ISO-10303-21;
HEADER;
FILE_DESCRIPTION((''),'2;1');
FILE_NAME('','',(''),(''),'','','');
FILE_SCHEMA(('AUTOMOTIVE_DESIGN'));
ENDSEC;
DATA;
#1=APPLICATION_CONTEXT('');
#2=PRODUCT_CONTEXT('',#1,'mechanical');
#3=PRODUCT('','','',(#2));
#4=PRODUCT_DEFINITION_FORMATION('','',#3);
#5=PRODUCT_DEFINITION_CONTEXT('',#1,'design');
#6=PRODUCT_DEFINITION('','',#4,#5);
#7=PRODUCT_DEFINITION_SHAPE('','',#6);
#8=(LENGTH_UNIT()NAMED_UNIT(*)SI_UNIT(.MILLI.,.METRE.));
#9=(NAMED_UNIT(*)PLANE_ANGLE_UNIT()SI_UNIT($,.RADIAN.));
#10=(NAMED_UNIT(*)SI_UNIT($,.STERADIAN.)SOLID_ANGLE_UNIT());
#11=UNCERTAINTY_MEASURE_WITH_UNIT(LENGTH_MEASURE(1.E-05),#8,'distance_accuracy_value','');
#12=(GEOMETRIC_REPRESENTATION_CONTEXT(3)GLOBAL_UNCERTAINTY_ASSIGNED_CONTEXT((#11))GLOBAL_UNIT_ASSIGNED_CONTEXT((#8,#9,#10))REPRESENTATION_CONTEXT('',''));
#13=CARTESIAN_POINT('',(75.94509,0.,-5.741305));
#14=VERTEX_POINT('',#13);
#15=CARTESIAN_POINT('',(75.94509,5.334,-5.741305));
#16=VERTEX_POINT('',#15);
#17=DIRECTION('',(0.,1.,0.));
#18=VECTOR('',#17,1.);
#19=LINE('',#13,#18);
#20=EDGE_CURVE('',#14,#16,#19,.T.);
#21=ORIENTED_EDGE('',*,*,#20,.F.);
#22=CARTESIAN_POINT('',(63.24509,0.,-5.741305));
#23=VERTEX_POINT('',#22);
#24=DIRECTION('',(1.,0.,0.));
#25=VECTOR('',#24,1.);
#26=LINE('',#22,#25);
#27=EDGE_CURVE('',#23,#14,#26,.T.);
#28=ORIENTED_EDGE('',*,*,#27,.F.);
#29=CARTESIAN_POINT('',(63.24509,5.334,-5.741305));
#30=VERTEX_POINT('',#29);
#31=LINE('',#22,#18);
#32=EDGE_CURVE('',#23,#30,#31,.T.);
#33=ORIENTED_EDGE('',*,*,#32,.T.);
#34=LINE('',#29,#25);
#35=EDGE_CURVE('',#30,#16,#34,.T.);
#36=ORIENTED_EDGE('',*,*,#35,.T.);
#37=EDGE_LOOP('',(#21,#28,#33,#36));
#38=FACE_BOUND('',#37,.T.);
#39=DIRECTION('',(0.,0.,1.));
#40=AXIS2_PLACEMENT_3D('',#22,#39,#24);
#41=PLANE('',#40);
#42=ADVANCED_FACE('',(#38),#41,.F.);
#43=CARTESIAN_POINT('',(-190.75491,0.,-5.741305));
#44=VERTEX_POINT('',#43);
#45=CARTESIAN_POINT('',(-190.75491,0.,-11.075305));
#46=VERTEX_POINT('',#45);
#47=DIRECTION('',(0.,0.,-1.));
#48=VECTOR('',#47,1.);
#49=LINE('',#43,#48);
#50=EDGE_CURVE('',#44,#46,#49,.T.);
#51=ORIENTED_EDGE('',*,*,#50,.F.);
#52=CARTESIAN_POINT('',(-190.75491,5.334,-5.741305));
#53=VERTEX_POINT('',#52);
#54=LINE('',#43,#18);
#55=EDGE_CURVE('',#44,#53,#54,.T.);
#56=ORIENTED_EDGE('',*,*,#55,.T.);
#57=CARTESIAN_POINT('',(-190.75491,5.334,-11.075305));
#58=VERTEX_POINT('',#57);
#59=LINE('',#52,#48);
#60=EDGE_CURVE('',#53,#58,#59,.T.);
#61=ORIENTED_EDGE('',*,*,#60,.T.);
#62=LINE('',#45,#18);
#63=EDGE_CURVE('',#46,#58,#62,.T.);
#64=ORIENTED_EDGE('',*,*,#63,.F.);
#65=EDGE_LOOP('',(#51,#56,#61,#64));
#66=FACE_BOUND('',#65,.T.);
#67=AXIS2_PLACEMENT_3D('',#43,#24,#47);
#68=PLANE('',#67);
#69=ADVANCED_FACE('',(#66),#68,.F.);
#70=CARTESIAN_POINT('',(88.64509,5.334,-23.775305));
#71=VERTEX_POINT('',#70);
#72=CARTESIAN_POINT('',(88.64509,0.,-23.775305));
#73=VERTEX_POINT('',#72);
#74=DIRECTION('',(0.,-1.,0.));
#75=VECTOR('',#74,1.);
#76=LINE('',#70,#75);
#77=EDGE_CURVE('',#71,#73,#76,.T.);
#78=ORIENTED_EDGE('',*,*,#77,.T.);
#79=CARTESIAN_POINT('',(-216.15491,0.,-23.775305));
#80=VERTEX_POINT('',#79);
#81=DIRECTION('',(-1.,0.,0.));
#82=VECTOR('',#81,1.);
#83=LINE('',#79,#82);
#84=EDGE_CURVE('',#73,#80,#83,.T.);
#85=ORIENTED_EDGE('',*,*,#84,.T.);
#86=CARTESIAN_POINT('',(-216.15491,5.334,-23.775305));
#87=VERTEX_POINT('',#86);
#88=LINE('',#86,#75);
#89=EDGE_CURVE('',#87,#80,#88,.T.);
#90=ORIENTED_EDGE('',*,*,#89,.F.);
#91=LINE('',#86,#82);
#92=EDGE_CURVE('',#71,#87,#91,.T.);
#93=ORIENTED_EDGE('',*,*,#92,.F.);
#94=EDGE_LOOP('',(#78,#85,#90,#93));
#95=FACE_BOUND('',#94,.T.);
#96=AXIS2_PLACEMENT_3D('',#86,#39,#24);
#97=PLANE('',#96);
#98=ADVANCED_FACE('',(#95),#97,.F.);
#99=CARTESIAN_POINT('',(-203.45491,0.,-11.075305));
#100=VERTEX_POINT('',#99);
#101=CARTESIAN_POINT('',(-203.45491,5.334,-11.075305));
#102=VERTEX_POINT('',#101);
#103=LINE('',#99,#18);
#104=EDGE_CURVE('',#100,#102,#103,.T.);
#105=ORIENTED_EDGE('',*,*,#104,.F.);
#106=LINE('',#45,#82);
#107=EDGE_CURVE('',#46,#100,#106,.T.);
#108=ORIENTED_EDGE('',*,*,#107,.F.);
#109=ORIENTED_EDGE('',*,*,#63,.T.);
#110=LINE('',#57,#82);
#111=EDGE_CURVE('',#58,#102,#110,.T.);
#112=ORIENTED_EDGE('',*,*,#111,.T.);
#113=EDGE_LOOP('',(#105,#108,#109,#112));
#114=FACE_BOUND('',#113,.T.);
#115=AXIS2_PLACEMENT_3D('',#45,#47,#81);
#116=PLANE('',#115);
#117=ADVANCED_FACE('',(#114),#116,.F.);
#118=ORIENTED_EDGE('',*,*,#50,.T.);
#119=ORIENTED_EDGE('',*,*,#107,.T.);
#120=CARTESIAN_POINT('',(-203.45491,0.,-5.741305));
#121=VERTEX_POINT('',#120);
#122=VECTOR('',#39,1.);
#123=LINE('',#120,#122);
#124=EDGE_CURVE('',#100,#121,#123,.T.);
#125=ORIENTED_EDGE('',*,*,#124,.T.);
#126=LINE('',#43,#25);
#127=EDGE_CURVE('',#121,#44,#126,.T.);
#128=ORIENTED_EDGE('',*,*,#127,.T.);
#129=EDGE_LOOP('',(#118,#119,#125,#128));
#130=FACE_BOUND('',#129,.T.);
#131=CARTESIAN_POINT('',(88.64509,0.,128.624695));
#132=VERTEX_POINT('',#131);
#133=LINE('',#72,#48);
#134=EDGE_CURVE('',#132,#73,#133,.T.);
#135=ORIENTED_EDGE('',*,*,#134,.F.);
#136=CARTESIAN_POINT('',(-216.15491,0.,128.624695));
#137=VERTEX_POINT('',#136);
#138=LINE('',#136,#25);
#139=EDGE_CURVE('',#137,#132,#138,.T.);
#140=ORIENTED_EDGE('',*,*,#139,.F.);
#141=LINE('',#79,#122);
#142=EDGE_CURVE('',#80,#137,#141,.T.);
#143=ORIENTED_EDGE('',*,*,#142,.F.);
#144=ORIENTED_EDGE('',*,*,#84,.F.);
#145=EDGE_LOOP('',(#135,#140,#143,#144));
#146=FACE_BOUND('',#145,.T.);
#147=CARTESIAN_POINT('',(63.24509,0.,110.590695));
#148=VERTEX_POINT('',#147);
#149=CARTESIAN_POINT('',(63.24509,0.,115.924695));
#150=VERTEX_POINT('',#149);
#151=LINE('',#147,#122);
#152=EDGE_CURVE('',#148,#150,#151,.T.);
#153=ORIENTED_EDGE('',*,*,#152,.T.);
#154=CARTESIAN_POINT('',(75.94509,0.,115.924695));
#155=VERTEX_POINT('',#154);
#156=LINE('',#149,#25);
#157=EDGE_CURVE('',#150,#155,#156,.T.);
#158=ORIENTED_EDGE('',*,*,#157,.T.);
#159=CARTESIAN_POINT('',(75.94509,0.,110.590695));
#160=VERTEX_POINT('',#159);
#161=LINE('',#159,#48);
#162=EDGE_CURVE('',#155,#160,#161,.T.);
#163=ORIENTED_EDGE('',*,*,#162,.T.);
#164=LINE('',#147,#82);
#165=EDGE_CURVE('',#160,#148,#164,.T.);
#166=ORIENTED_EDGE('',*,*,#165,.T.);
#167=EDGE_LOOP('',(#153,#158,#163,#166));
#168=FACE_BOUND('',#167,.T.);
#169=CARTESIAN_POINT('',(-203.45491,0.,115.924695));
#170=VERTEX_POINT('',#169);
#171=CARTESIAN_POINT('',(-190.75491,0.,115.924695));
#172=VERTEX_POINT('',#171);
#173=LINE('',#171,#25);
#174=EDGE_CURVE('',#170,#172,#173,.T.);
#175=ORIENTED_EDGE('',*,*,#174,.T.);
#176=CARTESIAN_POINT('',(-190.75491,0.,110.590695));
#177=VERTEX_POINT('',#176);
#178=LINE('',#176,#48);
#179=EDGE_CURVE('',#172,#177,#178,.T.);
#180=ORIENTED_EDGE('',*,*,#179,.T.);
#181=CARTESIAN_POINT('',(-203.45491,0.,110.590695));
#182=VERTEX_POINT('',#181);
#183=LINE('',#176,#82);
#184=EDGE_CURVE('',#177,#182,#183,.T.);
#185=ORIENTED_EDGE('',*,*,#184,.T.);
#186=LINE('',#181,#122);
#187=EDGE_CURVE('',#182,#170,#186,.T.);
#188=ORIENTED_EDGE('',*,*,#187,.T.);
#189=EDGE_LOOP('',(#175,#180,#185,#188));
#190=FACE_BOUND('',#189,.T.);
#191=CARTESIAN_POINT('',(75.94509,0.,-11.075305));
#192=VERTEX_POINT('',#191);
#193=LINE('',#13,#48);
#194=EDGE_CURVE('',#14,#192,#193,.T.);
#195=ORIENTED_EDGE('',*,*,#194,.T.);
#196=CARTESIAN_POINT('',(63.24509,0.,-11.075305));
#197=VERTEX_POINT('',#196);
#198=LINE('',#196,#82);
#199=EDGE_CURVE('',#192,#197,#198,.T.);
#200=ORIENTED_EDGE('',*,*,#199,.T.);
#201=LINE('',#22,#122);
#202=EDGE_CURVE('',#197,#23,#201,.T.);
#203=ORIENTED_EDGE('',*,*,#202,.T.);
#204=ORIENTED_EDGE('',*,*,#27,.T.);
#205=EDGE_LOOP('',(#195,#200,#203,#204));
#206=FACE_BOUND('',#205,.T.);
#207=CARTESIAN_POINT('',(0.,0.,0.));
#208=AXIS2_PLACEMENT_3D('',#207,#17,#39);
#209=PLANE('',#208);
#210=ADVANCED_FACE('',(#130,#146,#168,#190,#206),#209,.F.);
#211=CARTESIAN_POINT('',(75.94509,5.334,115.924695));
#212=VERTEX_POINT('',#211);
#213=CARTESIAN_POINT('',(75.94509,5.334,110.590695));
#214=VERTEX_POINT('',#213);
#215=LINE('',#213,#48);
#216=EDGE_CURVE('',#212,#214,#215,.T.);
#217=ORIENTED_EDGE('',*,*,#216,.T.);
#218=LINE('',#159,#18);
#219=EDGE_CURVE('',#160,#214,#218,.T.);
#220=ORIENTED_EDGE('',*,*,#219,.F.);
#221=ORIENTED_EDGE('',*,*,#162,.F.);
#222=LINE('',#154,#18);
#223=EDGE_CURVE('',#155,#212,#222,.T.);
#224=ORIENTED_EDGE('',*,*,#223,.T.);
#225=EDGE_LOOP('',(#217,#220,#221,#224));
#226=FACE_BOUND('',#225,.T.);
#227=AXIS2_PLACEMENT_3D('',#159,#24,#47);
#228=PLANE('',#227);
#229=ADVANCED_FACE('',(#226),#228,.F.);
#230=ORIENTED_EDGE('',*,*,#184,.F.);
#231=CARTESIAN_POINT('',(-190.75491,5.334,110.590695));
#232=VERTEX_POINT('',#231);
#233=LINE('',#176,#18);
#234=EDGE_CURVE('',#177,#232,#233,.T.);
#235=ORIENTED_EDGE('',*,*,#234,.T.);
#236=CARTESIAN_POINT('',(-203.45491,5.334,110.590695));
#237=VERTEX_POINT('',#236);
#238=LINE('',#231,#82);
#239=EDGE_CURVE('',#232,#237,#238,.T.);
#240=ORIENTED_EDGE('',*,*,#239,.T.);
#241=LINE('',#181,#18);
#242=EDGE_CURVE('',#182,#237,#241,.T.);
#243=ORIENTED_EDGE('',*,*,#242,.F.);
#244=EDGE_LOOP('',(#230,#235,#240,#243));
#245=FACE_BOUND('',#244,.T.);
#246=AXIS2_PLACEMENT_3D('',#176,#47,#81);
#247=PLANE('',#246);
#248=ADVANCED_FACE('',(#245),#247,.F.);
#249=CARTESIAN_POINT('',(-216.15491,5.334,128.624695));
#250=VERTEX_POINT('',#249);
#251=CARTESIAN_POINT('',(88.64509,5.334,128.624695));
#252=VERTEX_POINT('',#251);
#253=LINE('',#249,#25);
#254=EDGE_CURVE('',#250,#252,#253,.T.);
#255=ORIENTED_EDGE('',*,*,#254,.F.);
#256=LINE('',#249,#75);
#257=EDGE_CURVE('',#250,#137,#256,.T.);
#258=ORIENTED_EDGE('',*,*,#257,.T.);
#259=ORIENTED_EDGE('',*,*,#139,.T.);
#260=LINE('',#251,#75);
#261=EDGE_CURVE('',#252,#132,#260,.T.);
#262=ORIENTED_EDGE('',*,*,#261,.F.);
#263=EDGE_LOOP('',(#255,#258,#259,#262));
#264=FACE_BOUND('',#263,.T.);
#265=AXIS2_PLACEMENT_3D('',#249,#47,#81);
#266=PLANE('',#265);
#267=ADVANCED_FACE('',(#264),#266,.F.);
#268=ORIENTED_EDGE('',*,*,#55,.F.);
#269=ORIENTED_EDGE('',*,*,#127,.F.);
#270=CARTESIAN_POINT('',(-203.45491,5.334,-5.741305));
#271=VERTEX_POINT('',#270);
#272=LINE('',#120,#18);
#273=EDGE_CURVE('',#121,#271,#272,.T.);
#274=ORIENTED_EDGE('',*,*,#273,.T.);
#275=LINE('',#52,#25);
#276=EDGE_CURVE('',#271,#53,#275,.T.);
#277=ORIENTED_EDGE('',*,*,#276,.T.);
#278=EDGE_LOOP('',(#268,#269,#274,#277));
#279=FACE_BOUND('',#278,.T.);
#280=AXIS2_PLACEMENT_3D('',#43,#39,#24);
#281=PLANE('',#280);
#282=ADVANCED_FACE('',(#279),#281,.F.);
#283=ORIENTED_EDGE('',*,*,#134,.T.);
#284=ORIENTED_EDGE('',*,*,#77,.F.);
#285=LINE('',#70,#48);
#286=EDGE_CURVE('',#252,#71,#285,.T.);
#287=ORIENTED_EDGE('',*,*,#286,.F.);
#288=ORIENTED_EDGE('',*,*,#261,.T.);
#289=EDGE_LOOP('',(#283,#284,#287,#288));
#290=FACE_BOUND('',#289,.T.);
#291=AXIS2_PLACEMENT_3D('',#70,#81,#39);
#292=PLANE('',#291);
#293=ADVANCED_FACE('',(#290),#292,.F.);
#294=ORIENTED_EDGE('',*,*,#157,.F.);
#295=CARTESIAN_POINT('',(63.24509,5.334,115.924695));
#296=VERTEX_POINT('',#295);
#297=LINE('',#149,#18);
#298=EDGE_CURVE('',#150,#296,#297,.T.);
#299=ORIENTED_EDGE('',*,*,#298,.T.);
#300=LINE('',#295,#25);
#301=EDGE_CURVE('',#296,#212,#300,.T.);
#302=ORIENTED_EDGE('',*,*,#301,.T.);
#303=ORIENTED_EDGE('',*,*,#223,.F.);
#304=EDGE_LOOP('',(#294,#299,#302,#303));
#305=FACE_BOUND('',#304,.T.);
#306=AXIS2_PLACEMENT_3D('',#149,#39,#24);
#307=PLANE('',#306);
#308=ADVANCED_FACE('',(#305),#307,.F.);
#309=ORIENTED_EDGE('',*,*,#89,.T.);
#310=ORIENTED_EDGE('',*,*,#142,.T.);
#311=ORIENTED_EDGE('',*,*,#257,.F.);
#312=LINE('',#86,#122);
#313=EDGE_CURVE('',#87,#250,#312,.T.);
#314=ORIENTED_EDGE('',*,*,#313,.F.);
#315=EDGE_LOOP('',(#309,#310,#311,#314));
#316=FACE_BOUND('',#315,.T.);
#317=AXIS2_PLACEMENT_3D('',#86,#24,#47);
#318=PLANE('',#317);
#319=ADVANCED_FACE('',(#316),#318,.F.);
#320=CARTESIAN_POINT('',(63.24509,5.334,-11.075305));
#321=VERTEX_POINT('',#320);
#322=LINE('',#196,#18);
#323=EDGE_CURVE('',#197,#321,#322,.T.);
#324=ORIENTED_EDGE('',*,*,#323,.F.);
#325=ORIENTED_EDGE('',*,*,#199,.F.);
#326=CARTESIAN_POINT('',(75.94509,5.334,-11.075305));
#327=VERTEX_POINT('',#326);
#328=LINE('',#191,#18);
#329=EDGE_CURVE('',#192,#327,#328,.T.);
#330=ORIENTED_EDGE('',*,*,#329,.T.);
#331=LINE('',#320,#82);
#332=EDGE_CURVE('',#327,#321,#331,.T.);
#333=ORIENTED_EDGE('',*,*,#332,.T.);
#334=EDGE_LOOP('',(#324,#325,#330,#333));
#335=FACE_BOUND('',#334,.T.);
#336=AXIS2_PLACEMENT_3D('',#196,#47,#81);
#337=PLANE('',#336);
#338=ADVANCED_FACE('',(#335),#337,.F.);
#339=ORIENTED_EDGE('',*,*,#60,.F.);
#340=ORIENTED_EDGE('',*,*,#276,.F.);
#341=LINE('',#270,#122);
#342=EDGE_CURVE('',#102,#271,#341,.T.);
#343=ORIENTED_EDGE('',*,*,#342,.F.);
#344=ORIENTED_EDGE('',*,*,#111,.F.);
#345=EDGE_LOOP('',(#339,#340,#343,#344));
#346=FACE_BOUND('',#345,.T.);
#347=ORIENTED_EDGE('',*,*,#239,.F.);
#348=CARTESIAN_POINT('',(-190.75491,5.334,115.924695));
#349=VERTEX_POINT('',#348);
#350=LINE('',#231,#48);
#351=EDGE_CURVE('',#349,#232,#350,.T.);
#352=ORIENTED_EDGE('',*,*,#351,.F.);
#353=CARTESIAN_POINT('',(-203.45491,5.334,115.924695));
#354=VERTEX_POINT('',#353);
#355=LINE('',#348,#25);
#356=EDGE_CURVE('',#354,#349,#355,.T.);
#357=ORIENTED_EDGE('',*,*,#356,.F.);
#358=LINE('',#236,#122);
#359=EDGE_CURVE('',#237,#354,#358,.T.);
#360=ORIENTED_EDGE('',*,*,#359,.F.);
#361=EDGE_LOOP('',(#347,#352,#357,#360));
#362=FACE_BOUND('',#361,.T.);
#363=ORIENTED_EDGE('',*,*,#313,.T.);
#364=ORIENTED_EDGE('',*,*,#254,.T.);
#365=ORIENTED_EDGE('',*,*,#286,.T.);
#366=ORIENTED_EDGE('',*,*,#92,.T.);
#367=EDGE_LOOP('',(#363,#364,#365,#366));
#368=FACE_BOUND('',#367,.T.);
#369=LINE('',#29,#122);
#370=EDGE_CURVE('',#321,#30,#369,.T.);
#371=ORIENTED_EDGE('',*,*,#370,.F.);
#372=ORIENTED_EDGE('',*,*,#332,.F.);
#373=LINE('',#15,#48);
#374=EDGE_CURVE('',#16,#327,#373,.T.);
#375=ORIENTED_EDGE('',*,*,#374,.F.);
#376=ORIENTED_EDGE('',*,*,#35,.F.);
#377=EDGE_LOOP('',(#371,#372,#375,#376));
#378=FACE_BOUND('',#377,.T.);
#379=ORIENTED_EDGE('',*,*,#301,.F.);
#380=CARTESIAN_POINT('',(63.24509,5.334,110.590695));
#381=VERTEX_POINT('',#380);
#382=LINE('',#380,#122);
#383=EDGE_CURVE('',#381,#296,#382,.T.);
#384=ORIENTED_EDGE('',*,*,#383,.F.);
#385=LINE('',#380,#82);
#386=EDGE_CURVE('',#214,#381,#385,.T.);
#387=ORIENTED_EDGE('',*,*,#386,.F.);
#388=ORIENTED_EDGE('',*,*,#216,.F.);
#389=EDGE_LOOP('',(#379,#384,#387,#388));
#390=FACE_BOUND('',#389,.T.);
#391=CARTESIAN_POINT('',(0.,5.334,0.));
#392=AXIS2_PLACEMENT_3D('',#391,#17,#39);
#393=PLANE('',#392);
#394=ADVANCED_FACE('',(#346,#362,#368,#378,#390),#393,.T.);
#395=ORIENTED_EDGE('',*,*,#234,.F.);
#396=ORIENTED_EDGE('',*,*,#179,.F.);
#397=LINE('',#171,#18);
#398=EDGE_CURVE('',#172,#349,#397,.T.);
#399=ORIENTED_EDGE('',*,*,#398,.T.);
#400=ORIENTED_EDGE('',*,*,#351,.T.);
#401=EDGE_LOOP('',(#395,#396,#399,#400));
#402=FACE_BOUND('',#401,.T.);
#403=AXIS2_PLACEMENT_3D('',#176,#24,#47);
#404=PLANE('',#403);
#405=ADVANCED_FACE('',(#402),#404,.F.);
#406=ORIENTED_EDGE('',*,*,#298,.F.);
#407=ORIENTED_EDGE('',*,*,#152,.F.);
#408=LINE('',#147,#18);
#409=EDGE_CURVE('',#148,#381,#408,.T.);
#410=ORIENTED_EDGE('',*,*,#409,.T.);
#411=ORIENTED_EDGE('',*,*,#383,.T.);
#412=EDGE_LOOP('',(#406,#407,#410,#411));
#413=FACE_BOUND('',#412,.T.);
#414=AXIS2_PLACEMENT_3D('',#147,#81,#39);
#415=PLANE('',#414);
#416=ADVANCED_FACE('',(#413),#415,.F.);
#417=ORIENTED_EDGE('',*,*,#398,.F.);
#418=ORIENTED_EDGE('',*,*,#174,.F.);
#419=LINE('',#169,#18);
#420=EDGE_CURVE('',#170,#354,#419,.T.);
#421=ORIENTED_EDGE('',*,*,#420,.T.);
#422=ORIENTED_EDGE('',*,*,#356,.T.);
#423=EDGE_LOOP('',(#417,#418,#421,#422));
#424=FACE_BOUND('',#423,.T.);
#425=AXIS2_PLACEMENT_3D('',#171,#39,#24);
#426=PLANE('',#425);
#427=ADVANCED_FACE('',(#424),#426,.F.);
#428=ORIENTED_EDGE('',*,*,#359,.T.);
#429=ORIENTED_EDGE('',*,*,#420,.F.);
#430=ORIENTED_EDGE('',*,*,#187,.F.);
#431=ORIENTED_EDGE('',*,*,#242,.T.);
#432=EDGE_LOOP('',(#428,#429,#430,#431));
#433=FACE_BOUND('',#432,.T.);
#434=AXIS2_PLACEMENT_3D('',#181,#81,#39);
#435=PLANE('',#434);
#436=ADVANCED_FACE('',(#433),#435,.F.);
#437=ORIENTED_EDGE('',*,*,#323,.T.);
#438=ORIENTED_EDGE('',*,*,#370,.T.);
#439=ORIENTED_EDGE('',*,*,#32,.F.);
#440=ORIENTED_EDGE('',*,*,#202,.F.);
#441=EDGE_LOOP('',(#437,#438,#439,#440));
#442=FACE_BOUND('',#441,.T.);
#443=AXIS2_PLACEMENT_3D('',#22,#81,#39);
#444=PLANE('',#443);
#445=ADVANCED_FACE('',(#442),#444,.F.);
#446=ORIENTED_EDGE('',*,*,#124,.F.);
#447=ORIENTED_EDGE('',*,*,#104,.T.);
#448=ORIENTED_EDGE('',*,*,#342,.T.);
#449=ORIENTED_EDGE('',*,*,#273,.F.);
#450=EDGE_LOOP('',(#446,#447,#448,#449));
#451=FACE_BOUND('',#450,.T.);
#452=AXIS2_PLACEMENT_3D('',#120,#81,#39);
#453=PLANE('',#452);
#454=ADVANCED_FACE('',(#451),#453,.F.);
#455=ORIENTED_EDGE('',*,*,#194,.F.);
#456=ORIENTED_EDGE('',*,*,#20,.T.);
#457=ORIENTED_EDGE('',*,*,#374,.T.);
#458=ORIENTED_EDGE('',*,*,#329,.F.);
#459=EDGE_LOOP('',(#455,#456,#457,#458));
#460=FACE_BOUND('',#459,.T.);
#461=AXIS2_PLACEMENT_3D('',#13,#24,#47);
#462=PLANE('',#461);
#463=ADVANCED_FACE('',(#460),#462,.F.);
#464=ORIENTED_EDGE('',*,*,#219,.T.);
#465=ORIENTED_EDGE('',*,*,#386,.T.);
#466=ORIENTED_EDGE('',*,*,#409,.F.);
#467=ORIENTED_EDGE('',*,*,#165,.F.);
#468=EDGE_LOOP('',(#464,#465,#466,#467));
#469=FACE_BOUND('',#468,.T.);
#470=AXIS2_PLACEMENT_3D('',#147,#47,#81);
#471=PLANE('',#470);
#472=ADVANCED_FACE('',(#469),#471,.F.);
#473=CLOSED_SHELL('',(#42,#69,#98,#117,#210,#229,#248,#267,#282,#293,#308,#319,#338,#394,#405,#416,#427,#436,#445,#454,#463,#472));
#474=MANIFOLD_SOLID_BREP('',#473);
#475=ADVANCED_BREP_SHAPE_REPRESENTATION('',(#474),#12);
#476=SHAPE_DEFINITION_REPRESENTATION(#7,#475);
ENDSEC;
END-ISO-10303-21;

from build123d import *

# Parameters (mm, degrees)
SKETCH1_W           = 304.8
SKETCH1_H           = 152.4
BOSS_EXTRUDE1_DEPTH = 5.334
SKETCH4_W           = 12.7
SKETCH4_H           = 5.334
CUT_EXTRUDE1_DEPTH  = 252.586384458


with BuildPart() as part:
    # Sketch1 → Boss-Extrude1 (new body)
    with BuildSketch(Plane(origin=(0, 0, 0), x_dir=(1, 0, 0), z_dir=(0, 1, 0))):
        with Locations((-63.754910023, -52.424694992)):
            Rectangle(SKETCH1_W, SKETCH1_H)
    extrude(amount=BOSS_EXTRUDE1_DEPTH)

    # Sketch4 → Cut-Extrude1 (cut, through all)
    with BuildSketch(Plane(origin=(0, 5.334, 0), x_dir=(1, 0, 0), z_dir=(0, 1, 0))):
        with Locations((69.595089977, -113.257694992)):
            Rectangle(SKETCH4_W, SKETCH4_H)
        with Locations((-197.104910023, -113.257694992)):
            Rectangle(SKETCH4_W, SKETCH4_H)
        with Locations((69.595089977, 8.408305008)):
            Rectangle(SKETCH4_W, SKETCH4_H)
        with Locations((-197.104910023, 8.408305008)):
            Rectangle(SKETCH4_W, SKETCH4_H)
    extrude(amount=-CUT_EXTRUDE1_DEPTH, mode=Mode.SUBTRACT)


solid = part.part
